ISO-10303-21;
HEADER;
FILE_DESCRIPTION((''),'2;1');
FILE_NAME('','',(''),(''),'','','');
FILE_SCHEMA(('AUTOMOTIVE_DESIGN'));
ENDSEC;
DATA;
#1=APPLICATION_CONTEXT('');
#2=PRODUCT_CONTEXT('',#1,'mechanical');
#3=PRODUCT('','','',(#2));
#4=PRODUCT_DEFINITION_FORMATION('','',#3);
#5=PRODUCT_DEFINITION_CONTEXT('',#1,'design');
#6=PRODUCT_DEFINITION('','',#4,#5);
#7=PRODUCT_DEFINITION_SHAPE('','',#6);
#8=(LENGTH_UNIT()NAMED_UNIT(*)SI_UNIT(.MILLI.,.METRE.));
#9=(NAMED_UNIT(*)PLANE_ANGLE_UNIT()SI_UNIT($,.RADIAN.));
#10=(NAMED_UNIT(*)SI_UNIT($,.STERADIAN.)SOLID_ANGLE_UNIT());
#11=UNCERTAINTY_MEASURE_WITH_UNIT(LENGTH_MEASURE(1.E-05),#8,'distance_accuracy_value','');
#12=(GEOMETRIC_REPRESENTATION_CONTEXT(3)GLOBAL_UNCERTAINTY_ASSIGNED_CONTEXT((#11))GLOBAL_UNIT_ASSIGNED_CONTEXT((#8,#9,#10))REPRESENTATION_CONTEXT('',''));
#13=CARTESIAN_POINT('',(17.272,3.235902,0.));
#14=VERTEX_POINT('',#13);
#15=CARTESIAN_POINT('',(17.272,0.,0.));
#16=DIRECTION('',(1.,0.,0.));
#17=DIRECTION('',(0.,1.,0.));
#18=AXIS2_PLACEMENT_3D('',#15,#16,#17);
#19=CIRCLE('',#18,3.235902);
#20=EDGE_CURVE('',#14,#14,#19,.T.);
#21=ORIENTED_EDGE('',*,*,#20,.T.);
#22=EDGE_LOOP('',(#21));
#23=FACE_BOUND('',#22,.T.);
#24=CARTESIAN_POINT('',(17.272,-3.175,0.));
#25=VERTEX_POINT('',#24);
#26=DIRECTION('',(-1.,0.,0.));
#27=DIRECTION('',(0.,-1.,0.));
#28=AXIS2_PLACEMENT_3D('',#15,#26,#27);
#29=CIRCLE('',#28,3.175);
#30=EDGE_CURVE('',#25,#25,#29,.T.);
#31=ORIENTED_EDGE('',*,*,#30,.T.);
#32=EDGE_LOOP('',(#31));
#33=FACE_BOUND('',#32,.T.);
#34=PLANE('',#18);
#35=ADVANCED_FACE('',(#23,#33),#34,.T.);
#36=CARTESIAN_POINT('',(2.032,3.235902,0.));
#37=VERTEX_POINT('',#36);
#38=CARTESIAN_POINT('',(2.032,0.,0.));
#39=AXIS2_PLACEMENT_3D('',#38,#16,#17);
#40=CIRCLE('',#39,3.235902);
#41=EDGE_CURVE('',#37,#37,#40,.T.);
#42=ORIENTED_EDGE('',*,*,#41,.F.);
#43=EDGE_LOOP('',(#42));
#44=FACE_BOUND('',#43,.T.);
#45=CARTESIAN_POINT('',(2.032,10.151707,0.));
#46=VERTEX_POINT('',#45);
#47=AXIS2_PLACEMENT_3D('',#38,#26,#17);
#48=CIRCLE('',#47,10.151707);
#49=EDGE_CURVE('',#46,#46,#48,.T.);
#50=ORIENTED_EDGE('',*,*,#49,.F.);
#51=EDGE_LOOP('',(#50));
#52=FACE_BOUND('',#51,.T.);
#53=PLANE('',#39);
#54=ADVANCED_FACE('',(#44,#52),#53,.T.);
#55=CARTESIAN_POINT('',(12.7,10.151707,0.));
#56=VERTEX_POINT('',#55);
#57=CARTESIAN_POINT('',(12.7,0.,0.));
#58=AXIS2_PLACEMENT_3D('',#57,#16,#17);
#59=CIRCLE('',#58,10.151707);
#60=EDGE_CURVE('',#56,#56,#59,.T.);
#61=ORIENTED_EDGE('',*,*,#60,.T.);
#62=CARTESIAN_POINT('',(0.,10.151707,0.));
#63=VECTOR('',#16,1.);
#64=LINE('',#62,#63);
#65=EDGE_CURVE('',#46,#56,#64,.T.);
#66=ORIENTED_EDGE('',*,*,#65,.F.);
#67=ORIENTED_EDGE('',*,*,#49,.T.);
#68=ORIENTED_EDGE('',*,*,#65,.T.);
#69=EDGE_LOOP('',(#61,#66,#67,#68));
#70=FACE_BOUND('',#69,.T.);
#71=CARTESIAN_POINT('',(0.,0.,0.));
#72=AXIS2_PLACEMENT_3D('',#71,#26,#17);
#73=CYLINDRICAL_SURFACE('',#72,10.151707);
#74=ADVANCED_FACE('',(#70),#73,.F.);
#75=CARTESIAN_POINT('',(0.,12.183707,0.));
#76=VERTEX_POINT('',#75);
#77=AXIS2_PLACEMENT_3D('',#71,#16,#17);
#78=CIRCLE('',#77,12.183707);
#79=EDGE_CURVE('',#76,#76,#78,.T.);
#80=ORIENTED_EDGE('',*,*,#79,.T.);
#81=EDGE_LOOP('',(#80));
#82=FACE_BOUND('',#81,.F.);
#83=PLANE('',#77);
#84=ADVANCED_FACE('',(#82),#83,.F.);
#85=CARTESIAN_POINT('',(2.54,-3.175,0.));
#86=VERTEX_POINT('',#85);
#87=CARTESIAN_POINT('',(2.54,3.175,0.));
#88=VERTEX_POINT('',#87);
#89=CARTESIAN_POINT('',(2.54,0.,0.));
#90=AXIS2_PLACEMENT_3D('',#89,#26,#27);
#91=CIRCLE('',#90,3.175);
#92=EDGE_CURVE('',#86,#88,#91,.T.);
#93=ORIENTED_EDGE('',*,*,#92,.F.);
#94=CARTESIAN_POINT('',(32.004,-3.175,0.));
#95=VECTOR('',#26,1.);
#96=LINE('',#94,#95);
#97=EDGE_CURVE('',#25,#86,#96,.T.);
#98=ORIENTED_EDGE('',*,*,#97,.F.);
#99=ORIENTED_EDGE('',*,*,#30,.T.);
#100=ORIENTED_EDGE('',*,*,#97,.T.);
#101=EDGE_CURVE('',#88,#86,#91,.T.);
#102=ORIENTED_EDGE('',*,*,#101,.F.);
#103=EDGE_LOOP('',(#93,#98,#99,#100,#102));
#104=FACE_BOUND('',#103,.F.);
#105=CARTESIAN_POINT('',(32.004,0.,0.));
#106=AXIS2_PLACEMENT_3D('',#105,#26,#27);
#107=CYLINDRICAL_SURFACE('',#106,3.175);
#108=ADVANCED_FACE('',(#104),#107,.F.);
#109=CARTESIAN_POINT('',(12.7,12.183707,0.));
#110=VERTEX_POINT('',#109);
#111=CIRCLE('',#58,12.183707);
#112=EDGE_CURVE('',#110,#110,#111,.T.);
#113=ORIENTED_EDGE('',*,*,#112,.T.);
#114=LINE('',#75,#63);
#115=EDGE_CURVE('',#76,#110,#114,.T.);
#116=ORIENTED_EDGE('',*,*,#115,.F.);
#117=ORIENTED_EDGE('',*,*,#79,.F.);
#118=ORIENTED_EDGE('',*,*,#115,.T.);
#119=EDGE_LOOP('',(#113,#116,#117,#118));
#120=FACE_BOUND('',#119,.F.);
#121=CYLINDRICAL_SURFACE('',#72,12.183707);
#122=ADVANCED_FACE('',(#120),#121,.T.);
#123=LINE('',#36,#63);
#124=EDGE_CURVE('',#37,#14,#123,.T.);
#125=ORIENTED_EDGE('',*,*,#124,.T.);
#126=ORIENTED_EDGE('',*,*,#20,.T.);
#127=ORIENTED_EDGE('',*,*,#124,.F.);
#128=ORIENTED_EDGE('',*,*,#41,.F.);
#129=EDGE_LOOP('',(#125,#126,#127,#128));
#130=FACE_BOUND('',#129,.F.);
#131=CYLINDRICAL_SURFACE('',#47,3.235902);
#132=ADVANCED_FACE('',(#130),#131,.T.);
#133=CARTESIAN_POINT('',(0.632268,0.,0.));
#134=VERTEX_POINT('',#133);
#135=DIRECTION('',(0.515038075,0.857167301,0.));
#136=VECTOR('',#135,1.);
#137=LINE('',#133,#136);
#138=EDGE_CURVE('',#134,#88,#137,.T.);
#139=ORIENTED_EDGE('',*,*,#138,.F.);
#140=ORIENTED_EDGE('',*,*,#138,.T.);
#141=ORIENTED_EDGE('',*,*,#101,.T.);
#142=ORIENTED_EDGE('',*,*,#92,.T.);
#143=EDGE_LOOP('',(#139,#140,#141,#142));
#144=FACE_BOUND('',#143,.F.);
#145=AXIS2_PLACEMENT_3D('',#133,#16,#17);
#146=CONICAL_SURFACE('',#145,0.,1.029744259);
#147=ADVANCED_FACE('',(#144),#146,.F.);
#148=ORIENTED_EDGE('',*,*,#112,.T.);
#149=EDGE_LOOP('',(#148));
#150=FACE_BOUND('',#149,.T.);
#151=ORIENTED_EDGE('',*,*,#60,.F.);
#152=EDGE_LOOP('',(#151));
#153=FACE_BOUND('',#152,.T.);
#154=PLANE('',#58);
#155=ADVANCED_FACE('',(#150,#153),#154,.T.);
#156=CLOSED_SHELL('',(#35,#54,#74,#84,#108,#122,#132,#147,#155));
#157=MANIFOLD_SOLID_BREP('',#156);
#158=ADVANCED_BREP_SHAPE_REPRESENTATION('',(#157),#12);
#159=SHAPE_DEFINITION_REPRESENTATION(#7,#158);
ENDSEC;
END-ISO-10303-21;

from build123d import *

# Parameters (mm, degrees)
F0_R     = 12.1837068699
F1_DEPTH = 12.7
F2_T     = -2.032
F3_R     = 3.2359024919
F4_DEPTH = 15.24
F6_D     = 6.35
F6_DEPTH = 14.732
F6_TIP   = 1.9077324654


with BuildPart() as f1:
    # F0 (on Right) → F1 (new body)
    with BuildSketch(Plane.YZ):
        Circle(F0_R)
    extrude(amount=F1_DEPTH)

    # F2
    f2_openings = [f1.faces().sort_by_distance(p)[0] for p in [
        (12.7, 0, 0),
    ]]
    offset(amount=F2_T, openings=f2_openings)

    # F3 (on face) → F4 (join)
    with BuildSketch(Plane.YZ.offset(2.032)):
        Circle(F3_R)
    extrude(amount=F4_DEPTH)

    # F6
    with Locations(Plane.YZ.offset(17.272)):
        with Locations((0, 0)):
            Hole(F6_D / 2, depth=F6_DEPTH)
            with Locations((0, 0, -(F6_DEPTH + F6_TIP / 2))):  # 118° drill point
                Cone(0, F6_D / 2, F6_TIP, mode=Mode.SUBTRACT)


solid = f1.part
